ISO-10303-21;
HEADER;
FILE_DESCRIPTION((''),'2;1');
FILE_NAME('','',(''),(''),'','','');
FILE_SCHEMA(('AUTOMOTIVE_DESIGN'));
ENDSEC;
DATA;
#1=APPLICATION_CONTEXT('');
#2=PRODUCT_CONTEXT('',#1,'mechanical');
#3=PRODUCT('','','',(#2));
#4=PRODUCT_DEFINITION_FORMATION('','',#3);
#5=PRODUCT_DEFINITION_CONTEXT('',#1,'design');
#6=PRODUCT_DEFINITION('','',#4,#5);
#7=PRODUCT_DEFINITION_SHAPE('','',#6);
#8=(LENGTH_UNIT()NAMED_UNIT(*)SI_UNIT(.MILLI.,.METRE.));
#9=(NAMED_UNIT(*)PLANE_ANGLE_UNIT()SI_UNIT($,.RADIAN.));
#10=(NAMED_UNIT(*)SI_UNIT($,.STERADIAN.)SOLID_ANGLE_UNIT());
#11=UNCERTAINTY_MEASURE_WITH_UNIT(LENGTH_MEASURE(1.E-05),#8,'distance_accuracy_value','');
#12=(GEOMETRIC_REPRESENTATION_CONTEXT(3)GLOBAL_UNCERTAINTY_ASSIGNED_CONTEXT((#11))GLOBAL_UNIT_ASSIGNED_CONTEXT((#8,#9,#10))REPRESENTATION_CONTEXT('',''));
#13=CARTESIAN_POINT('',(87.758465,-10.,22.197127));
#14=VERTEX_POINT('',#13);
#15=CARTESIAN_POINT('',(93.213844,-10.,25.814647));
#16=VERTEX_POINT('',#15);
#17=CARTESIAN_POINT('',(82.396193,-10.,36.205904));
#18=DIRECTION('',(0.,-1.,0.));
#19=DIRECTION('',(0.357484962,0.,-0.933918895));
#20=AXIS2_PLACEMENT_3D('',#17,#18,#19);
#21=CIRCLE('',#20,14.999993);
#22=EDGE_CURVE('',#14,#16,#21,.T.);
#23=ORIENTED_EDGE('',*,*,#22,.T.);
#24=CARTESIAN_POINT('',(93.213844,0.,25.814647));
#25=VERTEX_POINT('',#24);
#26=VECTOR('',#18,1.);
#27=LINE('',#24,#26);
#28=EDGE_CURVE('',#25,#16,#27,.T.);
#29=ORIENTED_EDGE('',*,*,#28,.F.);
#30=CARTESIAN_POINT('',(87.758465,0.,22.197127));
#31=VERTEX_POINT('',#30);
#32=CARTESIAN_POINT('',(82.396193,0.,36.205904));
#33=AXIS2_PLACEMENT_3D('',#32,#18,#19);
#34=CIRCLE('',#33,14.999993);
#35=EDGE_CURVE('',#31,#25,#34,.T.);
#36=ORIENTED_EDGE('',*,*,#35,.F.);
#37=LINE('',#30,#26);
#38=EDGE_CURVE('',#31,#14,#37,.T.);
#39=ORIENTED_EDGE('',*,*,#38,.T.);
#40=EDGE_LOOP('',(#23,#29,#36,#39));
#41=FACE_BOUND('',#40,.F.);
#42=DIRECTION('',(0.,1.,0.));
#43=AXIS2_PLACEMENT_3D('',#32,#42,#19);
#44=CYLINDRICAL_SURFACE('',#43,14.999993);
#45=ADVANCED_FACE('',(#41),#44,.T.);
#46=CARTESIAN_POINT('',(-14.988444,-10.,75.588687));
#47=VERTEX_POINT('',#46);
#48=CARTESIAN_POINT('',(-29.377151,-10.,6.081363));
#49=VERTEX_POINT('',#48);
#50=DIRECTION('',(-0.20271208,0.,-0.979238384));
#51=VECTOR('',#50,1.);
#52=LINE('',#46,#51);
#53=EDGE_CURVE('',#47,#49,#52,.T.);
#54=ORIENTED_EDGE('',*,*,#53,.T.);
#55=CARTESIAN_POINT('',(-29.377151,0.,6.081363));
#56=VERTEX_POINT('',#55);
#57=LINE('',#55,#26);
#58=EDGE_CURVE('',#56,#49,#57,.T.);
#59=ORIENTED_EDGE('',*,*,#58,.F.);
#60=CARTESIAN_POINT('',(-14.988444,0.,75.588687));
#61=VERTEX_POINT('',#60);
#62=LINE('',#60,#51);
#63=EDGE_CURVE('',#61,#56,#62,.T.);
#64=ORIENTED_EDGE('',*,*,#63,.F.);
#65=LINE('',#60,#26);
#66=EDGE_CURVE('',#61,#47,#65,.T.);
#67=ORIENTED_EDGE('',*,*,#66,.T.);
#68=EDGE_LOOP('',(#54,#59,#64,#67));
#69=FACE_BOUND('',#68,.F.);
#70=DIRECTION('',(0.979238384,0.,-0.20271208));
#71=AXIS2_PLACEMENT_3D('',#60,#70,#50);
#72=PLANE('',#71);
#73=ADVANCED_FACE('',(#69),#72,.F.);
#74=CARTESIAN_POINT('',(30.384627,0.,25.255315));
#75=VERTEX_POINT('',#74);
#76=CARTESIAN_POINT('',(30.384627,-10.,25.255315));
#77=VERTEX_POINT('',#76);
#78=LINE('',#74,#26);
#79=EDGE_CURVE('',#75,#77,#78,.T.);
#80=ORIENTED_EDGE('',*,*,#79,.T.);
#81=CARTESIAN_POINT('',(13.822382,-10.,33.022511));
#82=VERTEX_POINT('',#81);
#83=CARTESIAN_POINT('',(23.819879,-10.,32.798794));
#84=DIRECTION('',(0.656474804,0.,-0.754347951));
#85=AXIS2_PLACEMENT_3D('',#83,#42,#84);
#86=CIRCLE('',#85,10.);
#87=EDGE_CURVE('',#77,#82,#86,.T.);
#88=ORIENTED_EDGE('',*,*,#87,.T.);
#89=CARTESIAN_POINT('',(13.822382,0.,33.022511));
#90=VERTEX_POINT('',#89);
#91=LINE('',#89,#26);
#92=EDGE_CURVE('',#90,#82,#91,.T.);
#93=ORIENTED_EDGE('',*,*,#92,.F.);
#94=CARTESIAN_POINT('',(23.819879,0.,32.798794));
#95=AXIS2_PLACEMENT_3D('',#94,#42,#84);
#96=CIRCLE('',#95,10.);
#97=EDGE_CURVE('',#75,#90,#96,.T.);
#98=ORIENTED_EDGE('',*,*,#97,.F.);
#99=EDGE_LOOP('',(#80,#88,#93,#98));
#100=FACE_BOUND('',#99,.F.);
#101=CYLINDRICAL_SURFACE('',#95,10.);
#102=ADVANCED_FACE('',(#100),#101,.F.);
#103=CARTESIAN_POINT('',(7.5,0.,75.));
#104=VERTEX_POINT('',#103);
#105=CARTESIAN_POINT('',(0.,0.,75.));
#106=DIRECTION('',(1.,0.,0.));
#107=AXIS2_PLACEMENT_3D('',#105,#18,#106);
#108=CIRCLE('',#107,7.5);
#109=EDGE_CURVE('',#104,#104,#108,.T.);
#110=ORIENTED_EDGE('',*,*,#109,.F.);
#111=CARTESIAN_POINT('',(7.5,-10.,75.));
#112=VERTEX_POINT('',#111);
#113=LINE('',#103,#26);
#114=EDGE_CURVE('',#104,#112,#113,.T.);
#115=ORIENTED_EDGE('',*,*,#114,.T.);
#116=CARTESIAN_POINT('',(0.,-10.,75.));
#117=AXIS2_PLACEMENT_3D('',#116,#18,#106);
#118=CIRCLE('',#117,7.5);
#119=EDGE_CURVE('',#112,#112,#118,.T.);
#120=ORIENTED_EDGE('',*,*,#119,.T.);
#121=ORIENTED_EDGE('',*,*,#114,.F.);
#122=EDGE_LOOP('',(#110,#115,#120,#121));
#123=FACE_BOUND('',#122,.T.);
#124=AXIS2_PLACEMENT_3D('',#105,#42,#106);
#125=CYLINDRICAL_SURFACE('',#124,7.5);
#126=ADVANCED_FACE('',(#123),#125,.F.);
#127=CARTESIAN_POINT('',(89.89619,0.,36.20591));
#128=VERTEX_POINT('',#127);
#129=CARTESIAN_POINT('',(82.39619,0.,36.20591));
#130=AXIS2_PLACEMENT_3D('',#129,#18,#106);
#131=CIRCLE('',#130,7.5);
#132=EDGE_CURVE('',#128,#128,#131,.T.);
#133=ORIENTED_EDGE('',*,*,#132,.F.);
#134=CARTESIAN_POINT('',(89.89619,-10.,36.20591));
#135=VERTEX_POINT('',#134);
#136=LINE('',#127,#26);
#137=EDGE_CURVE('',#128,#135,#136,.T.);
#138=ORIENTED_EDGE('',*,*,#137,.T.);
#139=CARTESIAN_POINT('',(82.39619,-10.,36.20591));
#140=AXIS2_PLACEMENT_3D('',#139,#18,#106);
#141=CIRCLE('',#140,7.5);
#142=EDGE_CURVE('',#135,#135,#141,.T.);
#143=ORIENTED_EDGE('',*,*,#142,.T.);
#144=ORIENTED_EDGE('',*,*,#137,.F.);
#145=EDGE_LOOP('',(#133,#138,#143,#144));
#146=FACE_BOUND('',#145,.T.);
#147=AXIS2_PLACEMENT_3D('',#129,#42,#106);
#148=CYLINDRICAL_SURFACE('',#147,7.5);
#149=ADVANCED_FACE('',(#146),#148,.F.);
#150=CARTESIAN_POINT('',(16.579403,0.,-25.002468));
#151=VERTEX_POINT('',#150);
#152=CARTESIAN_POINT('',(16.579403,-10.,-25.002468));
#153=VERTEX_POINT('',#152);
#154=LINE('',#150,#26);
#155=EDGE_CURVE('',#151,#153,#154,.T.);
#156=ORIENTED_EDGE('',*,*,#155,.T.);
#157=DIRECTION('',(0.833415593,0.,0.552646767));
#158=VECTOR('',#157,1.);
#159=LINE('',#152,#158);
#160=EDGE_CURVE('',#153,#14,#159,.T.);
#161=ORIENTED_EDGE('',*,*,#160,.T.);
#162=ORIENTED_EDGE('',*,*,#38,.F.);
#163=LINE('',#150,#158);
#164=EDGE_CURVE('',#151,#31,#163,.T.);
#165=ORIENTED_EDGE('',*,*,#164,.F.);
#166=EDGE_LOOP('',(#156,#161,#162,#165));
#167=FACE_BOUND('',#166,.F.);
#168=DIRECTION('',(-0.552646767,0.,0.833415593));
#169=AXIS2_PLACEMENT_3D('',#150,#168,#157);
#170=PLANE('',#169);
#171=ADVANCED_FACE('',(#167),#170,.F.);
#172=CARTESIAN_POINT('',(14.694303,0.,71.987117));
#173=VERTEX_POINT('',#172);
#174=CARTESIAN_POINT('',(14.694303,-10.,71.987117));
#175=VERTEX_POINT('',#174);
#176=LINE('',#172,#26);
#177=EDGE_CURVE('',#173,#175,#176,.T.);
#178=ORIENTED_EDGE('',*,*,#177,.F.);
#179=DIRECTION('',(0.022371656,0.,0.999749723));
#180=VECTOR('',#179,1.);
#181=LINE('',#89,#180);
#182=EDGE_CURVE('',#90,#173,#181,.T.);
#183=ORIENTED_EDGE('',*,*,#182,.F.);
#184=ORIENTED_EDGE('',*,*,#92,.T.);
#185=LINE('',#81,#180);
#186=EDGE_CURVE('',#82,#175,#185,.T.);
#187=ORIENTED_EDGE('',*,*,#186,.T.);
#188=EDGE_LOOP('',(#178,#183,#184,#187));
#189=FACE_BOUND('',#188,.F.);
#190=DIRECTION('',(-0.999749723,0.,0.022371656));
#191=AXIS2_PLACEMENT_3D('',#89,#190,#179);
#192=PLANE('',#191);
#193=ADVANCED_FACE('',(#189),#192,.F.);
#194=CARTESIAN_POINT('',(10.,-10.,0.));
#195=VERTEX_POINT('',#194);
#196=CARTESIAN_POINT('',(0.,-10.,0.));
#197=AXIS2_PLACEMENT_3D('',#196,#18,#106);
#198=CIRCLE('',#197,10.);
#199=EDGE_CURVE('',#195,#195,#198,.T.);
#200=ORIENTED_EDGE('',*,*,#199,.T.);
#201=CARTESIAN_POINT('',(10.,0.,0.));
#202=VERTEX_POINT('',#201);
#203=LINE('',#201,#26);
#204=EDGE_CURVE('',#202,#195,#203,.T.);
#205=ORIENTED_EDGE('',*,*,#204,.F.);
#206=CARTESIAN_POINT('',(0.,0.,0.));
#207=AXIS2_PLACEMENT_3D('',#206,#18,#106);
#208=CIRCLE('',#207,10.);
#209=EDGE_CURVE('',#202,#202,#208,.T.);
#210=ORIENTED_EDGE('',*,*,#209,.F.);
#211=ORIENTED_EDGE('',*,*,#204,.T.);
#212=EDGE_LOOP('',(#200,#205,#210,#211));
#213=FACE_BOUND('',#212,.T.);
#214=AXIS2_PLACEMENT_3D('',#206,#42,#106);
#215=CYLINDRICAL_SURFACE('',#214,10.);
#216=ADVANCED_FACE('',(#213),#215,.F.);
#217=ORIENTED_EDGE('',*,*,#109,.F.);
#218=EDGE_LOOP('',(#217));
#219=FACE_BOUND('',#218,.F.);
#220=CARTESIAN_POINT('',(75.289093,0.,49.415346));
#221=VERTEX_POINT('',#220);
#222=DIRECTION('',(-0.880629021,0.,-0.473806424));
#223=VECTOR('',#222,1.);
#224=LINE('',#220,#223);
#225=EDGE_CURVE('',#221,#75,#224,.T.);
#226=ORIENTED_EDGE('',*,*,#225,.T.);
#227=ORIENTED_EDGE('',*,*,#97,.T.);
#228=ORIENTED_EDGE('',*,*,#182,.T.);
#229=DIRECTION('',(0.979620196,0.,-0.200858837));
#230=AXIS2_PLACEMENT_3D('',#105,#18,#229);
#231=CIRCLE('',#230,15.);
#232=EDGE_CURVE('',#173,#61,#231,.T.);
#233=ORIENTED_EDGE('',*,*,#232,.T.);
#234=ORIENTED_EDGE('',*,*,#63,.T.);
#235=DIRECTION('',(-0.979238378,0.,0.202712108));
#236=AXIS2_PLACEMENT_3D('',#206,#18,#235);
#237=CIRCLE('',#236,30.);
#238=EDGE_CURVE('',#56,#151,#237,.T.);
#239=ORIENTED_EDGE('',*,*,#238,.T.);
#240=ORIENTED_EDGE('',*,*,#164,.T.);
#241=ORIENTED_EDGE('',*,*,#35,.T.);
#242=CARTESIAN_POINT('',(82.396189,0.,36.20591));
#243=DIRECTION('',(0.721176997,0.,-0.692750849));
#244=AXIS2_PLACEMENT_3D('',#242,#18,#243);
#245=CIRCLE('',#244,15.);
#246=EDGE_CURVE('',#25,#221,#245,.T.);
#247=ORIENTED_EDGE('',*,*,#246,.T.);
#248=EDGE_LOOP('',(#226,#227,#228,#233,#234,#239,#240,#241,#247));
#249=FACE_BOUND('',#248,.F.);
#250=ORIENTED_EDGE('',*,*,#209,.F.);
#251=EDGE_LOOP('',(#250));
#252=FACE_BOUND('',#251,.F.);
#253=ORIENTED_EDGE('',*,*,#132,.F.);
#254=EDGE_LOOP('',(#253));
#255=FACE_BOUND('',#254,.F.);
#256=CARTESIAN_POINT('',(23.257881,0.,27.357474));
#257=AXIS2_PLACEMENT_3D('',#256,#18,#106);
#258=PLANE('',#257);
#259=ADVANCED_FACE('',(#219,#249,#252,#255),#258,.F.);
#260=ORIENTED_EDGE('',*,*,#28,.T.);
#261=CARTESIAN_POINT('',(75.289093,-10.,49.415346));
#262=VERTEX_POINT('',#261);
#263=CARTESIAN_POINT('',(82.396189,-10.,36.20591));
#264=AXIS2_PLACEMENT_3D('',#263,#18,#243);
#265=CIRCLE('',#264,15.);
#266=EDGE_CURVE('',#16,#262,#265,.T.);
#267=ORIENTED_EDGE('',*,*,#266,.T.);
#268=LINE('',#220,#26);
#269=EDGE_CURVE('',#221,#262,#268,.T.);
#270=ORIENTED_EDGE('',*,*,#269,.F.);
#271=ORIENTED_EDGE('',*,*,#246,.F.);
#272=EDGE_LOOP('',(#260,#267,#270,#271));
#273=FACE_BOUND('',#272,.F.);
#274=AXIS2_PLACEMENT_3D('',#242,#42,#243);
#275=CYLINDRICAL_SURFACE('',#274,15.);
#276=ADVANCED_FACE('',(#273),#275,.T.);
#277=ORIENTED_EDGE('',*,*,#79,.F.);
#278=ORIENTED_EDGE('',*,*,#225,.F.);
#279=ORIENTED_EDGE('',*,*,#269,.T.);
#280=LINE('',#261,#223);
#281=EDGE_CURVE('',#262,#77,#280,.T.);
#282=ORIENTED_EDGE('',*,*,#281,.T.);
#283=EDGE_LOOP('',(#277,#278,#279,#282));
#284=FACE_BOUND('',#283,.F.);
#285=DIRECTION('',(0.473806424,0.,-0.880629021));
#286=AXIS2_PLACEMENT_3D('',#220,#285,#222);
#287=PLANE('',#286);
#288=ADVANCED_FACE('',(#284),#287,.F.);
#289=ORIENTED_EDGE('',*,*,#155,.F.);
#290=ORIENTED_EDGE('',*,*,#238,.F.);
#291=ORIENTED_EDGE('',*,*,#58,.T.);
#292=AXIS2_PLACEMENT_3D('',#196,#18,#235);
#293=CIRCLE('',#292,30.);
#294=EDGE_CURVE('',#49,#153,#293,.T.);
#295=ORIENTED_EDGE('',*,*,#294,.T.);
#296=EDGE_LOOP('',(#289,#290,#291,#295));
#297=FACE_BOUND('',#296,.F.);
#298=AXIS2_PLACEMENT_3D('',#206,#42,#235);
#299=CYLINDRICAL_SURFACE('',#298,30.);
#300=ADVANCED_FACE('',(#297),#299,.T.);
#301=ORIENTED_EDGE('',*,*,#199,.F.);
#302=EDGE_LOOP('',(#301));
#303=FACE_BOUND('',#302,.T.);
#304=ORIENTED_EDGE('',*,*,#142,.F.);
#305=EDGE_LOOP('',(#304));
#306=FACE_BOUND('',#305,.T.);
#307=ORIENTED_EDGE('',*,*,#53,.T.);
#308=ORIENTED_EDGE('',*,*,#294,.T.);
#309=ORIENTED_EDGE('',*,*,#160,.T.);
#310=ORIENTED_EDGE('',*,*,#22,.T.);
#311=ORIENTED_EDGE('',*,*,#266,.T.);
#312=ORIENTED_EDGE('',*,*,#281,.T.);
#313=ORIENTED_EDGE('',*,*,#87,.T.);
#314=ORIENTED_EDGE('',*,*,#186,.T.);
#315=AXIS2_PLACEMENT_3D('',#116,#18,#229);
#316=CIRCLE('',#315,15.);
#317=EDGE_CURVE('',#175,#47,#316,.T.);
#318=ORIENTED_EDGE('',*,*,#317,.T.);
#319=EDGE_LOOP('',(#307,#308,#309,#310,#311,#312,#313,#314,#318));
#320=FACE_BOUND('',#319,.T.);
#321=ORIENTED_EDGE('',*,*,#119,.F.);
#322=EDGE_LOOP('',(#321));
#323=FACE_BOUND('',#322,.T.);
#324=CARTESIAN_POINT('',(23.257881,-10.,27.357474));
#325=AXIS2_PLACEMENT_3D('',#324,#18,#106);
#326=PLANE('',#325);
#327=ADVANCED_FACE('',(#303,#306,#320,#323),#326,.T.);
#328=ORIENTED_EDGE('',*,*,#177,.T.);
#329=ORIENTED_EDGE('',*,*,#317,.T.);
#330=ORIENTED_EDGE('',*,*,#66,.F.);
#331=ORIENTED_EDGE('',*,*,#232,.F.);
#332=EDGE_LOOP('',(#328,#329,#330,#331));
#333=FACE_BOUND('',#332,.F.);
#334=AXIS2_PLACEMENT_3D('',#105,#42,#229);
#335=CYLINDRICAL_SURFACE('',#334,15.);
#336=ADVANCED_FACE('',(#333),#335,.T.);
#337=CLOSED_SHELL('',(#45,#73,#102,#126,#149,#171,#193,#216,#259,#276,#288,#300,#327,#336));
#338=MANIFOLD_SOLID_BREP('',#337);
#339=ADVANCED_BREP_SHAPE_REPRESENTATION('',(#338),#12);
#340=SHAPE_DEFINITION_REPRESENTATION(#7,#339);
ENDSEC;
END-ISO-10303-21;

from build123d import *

# Parameters (mm, degrees)
F0_R     = 10
F0_R_2   = 7.5
F1_DEPTH = 10


with BuildPart() as f1:
    # F0 (on Front) → F1 (new body)
    with BuildSketch(Plane.XZ):
        with BuildLine():
            Line((13.822382, 33.022511), (14.694303, 71.987117))
            ThreePointArc((14.694303, 71.987117), (1.80678, 89.890787), (-14.988444, 75.588687))
            Line((-14.988444, 75.588687), (-29.377151, 6.081363))
            ThreePointArc((-29.377151, 6.081363), (-16.807639, -24.849613), (16.579403, -25.002468))
            Line((16.579403, -25.002468), (87.758465, 22.197127))
            Line((87.758465, 22.197127), (93.213844, 25.814647))
            ThreePointArc((93.213844, 25.814647), (94.341494, 45.278379), (75.289093, 49.415346))
            Line((75.289093, 49.415346), (30.384627, 25.255315))
            ThreePointArc((30.384627, 25.255315), (19.573907, 23.744971), (13.822382, 33.022511))
        make_face()
        Circle(F0_R, mode=Mode.SUBTRACT)
        with Locations((0, 75)):
            Circle(F0_R_2, mode=Mode.SUBTRACT)
        with Locations((82.39619, 36.20591)):
            Circle(F0_R_2, mode=Mode.SUBTRACT)
        with BuildLine():
            Line((93.213844, 25.814647), (87.758465, 22.197127))
            ThreePointArc((87.758465, 22.197127), (90.685891, 23.704676), (93.213844, 25.814647))
        make_face()
    extrude(amount=F1_DEPTH)


solid = f1.part
